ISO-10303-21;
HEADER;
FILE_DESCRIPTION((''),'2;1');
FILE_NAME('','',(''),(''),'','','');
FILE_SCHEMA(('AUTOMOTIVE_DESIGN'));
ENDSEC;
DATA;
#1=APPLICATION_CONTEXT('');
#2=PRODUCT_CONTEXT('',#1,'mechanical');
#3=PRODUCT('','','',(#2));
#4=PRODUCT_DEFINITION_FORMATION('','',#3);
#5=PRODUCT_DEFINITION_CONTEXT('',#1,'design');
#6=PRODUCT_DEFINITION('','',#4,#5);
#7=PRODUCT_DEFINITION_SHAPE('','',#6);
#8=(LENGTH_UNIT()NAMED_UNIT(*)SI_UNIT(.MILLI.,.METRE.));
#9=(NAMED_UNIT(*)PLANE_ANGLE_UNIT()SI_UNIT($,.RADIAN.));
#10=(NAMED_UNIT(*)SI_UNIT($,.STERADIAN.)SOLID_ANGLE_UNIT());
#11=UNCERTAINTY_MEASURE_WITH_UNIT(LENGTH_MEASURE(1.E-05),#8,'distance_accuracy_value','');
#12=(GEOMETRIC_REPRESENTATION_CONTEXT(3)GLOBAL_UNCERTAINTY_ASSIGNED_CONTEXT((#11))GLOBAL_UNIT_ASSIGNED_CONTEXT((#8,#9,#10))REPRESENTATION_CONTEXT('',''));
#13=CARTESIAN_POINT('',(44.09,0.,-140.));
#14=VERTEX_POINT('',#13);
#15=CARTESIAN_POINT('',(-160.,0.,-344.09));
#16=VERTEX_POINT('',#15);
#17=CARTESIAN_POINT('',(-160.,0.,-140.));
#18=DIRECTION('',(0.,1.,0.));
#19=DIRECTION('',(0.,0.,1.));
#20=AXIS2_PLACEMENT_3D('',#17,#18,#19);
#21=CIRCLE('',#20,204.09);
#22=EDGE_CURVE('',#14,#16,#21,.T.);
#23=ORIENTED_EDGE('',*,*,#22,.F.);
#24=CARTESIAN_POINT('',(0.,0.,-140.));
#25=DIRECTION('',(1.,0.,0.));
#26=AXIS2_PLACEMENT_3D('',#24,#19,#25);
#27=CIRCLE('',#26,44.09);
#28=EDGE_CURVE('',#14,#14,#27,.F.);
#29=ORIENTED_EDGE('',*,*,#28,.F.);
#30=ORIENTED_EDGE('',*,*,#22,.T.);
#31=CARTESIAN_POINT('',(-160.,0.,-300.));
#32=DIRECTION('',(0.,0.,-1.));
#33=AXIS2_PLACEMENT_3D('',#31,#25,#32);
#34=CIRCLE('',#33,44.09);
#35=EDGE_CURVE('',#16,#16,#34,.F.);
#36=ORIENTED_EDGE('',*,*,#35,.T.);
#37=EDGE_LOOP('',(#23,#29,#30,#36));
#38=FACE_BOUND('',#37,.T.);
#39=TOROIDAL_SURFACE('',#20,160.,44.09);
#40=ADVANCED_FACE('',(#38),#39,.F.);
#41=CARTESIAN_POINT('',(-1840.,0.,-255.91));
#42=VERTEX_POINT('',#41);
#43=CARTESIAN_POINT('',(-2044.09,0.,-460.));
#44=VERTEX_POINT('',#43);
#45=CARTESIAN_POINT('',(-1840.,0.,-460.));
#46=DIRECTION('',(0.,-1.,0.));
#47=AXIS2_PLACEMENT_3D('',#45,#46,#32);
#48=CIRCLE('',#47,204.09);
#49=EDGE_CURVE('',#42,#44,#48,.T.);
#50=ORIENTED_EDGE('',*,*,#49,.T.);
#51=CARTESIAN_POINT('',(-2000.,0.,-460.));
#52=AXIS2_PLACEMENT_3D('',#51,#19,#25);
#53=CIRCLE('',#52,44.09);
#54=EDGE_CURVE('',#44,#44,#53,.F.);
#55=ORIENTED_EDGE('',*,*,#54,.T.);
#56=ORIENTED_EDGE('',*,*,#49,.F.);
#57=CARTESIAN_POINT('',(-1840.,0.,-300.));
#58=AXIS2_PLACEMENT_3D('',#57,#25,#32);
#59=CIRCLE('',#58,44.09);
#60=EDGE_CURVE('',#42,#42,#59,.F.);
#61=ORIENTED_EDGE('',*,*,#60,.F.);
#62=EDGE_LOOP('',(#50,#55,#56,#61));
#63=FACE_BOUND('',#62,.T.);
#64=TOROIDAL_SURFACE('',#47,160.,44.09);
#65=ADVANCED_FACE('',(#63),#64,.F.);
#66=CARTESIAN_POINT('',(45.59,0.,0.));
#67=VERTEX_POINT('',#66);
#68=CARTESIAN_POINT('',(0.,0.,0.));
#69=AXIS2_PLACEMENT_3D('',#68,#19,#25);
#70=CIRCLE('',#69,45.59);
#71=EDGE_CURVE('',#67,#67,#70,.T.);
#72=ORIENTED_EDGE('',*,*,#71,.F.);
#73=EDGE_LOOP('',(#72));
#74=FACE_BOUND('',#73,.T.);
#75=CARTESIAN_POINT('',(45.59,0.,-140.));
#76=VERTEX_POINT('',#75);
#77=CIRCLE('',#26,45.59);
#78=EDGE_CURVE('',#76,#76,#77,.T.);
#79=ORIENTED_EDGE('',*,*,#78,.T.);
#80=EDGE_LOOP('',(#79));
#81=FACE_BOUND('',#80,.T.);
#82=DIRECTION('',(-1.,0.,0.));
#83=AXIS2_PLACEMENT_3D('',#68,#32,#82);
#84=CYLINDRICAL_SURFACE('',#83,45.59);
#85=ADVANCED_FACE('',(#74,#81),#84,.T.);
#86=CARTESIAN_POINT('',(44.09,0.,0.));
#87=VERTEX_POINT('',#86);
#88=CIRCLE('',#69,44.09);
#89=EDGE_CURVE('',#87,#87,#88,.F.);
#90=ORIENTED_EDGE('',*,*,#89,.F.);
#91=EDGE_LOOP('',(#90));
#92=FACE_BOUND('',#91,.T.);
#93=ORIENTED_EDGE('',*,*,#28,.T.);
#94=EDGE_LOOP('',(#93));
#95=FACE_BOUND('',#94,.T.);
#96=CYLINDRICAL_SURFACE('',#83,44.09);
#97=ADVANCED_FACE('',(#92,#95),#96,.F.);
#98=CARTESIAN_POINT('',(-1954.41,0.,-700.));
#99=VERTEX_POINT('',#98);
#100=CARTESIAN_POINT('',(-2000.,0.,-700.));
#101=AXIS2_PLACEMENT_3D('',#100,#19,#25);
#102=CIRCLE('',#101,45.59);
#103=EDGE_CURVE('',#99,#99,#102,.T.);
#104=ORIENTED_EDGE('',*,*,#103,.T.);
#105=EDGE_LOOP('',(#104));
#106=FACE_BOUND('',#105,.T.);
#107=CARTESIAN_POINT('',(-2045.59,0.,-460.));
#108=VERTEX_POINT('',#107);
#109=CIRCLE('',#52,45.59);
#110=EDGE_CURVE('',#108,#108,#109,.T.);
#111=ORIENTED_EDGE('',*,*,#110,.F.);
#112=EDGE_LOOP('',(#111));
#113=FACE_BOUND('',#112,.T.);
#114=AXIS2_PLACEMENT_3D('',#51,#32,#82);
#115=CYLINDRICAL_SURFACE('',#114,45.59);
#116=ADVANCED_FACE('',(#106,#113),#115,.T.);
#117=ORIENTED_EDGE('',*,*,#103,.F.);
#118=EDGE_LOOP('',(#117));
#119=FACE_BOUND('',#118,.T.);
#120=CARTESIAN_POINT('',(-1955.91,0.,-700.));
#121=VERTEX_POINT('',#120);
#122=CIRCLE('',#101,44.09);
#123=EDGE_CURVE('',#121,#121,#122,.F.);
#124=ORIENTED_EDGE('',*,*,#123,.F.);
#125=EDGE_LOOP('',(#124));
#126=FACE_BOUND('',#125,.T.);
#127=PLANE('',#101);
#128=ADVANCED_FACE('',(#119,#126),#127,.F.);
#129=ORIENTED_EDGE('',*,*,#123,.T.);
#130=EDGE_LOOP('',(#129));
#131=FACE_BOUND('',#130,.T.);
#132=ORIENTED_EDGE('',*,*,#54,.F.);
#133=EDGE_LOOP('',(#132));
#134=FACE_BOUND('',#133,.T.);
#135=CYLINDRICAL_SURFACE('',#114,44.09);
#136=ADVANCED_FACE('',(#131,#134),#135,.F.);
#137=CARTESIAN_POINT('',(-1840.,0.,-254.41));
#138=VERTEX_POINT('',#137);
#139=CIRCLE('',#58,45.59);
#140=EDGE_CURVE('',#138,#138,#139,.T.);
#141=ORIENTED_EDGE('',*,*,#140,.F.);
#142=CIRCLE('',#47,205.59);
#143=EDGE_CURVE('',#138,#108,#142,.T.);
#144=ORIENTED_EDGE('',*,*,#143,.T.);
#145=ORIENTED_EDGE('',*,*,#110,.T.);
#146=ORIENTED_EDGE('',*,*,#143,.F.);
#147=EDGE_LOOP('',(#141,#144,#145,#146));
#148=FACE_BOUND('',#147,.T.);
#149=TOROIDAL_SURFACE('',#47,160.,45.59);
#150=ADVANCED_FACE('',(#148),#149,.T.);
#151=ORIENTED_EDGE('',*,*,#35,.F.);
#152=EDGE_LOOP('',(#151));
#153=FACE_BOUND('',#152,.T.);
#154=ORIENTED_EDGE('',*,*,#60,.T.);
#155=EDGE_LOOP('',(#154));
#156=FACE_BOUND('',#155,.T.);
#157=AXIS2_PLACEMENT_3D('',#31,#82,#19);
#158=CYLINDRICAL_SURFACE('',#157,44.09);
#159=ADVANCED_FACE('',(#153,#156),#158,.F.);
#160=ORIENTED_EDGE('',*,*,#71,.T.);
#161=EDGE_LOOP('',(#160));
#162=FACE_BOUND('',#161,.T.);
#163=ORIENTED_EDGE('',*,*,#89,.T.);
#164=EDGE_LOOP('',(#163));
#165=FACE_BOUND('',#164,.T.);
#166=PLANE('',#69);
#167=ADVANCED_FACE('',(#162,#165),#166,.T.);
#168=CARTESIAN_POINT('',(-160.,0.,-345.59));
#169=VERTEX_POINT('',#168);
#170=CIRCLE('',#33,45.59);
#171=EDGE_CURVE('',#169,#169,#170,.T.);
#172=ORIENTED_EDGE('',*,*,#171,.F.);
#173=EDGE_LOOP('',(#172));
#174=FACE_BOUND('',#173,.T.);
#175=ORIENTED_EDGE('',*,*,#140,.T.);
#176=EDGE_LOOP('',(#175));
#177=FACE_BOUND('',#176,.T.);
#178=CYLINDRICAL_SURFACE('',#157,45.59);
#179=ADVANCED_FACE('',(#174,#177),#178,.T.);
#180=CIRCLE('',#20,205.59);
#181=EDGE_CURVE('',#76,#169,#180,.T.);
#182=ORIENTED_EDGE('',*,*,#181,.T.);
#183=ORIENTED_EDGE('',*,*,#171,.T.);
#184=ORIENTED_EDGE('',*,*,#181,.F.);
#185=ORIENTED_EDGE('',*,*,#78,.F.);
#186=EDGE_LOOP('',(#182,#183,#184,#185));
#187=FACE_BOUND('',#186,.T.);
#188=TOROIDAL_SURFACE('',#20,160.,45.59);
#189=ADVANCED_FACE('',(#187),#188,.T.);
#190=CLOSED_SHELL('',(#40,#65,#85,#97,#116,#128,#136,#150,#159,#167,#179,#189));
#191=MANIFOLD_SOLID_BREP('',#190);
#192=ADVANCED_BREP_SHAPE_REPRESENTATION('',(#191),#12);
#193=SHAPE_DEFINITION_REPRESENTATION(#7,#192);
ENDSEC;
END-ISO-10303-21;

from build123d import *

# Parameters (mm, degrees)
SKETCH2_R   = 45.59
SKETCH2_R_2 = 44.09


with BuildPart() as part:
    # Sweep1: sweep along a path in Sketch1
    with BuildLine(Plane(origin=(0, 0, 0), x_dir=(1, 0, 0), z_dir=(0, 1, 0))) as sweep1_path:
        Line((0, 0), (0, 140))
        ThreePointArc((0, 140), (-46.86291501, 253.13708499), (-160, 300))
        Line((-160, 300), (-1840, 300))
        ThreePointArc((-1840, 300), (-1953.13708499, 346.86291501), (-2000, 460))
        Line((-2000, 460), (-2000, 700))
    # Sketch2 → Sweep1 (sweep)
    with BuildSketch(Plane.XY):
        Circle(SKETCH2_R)
        Circle(SKETCH2_R_2, mode=Mode.SUBTRACT)
    sweep(path=sweep1_path.line)


solid = part.part
